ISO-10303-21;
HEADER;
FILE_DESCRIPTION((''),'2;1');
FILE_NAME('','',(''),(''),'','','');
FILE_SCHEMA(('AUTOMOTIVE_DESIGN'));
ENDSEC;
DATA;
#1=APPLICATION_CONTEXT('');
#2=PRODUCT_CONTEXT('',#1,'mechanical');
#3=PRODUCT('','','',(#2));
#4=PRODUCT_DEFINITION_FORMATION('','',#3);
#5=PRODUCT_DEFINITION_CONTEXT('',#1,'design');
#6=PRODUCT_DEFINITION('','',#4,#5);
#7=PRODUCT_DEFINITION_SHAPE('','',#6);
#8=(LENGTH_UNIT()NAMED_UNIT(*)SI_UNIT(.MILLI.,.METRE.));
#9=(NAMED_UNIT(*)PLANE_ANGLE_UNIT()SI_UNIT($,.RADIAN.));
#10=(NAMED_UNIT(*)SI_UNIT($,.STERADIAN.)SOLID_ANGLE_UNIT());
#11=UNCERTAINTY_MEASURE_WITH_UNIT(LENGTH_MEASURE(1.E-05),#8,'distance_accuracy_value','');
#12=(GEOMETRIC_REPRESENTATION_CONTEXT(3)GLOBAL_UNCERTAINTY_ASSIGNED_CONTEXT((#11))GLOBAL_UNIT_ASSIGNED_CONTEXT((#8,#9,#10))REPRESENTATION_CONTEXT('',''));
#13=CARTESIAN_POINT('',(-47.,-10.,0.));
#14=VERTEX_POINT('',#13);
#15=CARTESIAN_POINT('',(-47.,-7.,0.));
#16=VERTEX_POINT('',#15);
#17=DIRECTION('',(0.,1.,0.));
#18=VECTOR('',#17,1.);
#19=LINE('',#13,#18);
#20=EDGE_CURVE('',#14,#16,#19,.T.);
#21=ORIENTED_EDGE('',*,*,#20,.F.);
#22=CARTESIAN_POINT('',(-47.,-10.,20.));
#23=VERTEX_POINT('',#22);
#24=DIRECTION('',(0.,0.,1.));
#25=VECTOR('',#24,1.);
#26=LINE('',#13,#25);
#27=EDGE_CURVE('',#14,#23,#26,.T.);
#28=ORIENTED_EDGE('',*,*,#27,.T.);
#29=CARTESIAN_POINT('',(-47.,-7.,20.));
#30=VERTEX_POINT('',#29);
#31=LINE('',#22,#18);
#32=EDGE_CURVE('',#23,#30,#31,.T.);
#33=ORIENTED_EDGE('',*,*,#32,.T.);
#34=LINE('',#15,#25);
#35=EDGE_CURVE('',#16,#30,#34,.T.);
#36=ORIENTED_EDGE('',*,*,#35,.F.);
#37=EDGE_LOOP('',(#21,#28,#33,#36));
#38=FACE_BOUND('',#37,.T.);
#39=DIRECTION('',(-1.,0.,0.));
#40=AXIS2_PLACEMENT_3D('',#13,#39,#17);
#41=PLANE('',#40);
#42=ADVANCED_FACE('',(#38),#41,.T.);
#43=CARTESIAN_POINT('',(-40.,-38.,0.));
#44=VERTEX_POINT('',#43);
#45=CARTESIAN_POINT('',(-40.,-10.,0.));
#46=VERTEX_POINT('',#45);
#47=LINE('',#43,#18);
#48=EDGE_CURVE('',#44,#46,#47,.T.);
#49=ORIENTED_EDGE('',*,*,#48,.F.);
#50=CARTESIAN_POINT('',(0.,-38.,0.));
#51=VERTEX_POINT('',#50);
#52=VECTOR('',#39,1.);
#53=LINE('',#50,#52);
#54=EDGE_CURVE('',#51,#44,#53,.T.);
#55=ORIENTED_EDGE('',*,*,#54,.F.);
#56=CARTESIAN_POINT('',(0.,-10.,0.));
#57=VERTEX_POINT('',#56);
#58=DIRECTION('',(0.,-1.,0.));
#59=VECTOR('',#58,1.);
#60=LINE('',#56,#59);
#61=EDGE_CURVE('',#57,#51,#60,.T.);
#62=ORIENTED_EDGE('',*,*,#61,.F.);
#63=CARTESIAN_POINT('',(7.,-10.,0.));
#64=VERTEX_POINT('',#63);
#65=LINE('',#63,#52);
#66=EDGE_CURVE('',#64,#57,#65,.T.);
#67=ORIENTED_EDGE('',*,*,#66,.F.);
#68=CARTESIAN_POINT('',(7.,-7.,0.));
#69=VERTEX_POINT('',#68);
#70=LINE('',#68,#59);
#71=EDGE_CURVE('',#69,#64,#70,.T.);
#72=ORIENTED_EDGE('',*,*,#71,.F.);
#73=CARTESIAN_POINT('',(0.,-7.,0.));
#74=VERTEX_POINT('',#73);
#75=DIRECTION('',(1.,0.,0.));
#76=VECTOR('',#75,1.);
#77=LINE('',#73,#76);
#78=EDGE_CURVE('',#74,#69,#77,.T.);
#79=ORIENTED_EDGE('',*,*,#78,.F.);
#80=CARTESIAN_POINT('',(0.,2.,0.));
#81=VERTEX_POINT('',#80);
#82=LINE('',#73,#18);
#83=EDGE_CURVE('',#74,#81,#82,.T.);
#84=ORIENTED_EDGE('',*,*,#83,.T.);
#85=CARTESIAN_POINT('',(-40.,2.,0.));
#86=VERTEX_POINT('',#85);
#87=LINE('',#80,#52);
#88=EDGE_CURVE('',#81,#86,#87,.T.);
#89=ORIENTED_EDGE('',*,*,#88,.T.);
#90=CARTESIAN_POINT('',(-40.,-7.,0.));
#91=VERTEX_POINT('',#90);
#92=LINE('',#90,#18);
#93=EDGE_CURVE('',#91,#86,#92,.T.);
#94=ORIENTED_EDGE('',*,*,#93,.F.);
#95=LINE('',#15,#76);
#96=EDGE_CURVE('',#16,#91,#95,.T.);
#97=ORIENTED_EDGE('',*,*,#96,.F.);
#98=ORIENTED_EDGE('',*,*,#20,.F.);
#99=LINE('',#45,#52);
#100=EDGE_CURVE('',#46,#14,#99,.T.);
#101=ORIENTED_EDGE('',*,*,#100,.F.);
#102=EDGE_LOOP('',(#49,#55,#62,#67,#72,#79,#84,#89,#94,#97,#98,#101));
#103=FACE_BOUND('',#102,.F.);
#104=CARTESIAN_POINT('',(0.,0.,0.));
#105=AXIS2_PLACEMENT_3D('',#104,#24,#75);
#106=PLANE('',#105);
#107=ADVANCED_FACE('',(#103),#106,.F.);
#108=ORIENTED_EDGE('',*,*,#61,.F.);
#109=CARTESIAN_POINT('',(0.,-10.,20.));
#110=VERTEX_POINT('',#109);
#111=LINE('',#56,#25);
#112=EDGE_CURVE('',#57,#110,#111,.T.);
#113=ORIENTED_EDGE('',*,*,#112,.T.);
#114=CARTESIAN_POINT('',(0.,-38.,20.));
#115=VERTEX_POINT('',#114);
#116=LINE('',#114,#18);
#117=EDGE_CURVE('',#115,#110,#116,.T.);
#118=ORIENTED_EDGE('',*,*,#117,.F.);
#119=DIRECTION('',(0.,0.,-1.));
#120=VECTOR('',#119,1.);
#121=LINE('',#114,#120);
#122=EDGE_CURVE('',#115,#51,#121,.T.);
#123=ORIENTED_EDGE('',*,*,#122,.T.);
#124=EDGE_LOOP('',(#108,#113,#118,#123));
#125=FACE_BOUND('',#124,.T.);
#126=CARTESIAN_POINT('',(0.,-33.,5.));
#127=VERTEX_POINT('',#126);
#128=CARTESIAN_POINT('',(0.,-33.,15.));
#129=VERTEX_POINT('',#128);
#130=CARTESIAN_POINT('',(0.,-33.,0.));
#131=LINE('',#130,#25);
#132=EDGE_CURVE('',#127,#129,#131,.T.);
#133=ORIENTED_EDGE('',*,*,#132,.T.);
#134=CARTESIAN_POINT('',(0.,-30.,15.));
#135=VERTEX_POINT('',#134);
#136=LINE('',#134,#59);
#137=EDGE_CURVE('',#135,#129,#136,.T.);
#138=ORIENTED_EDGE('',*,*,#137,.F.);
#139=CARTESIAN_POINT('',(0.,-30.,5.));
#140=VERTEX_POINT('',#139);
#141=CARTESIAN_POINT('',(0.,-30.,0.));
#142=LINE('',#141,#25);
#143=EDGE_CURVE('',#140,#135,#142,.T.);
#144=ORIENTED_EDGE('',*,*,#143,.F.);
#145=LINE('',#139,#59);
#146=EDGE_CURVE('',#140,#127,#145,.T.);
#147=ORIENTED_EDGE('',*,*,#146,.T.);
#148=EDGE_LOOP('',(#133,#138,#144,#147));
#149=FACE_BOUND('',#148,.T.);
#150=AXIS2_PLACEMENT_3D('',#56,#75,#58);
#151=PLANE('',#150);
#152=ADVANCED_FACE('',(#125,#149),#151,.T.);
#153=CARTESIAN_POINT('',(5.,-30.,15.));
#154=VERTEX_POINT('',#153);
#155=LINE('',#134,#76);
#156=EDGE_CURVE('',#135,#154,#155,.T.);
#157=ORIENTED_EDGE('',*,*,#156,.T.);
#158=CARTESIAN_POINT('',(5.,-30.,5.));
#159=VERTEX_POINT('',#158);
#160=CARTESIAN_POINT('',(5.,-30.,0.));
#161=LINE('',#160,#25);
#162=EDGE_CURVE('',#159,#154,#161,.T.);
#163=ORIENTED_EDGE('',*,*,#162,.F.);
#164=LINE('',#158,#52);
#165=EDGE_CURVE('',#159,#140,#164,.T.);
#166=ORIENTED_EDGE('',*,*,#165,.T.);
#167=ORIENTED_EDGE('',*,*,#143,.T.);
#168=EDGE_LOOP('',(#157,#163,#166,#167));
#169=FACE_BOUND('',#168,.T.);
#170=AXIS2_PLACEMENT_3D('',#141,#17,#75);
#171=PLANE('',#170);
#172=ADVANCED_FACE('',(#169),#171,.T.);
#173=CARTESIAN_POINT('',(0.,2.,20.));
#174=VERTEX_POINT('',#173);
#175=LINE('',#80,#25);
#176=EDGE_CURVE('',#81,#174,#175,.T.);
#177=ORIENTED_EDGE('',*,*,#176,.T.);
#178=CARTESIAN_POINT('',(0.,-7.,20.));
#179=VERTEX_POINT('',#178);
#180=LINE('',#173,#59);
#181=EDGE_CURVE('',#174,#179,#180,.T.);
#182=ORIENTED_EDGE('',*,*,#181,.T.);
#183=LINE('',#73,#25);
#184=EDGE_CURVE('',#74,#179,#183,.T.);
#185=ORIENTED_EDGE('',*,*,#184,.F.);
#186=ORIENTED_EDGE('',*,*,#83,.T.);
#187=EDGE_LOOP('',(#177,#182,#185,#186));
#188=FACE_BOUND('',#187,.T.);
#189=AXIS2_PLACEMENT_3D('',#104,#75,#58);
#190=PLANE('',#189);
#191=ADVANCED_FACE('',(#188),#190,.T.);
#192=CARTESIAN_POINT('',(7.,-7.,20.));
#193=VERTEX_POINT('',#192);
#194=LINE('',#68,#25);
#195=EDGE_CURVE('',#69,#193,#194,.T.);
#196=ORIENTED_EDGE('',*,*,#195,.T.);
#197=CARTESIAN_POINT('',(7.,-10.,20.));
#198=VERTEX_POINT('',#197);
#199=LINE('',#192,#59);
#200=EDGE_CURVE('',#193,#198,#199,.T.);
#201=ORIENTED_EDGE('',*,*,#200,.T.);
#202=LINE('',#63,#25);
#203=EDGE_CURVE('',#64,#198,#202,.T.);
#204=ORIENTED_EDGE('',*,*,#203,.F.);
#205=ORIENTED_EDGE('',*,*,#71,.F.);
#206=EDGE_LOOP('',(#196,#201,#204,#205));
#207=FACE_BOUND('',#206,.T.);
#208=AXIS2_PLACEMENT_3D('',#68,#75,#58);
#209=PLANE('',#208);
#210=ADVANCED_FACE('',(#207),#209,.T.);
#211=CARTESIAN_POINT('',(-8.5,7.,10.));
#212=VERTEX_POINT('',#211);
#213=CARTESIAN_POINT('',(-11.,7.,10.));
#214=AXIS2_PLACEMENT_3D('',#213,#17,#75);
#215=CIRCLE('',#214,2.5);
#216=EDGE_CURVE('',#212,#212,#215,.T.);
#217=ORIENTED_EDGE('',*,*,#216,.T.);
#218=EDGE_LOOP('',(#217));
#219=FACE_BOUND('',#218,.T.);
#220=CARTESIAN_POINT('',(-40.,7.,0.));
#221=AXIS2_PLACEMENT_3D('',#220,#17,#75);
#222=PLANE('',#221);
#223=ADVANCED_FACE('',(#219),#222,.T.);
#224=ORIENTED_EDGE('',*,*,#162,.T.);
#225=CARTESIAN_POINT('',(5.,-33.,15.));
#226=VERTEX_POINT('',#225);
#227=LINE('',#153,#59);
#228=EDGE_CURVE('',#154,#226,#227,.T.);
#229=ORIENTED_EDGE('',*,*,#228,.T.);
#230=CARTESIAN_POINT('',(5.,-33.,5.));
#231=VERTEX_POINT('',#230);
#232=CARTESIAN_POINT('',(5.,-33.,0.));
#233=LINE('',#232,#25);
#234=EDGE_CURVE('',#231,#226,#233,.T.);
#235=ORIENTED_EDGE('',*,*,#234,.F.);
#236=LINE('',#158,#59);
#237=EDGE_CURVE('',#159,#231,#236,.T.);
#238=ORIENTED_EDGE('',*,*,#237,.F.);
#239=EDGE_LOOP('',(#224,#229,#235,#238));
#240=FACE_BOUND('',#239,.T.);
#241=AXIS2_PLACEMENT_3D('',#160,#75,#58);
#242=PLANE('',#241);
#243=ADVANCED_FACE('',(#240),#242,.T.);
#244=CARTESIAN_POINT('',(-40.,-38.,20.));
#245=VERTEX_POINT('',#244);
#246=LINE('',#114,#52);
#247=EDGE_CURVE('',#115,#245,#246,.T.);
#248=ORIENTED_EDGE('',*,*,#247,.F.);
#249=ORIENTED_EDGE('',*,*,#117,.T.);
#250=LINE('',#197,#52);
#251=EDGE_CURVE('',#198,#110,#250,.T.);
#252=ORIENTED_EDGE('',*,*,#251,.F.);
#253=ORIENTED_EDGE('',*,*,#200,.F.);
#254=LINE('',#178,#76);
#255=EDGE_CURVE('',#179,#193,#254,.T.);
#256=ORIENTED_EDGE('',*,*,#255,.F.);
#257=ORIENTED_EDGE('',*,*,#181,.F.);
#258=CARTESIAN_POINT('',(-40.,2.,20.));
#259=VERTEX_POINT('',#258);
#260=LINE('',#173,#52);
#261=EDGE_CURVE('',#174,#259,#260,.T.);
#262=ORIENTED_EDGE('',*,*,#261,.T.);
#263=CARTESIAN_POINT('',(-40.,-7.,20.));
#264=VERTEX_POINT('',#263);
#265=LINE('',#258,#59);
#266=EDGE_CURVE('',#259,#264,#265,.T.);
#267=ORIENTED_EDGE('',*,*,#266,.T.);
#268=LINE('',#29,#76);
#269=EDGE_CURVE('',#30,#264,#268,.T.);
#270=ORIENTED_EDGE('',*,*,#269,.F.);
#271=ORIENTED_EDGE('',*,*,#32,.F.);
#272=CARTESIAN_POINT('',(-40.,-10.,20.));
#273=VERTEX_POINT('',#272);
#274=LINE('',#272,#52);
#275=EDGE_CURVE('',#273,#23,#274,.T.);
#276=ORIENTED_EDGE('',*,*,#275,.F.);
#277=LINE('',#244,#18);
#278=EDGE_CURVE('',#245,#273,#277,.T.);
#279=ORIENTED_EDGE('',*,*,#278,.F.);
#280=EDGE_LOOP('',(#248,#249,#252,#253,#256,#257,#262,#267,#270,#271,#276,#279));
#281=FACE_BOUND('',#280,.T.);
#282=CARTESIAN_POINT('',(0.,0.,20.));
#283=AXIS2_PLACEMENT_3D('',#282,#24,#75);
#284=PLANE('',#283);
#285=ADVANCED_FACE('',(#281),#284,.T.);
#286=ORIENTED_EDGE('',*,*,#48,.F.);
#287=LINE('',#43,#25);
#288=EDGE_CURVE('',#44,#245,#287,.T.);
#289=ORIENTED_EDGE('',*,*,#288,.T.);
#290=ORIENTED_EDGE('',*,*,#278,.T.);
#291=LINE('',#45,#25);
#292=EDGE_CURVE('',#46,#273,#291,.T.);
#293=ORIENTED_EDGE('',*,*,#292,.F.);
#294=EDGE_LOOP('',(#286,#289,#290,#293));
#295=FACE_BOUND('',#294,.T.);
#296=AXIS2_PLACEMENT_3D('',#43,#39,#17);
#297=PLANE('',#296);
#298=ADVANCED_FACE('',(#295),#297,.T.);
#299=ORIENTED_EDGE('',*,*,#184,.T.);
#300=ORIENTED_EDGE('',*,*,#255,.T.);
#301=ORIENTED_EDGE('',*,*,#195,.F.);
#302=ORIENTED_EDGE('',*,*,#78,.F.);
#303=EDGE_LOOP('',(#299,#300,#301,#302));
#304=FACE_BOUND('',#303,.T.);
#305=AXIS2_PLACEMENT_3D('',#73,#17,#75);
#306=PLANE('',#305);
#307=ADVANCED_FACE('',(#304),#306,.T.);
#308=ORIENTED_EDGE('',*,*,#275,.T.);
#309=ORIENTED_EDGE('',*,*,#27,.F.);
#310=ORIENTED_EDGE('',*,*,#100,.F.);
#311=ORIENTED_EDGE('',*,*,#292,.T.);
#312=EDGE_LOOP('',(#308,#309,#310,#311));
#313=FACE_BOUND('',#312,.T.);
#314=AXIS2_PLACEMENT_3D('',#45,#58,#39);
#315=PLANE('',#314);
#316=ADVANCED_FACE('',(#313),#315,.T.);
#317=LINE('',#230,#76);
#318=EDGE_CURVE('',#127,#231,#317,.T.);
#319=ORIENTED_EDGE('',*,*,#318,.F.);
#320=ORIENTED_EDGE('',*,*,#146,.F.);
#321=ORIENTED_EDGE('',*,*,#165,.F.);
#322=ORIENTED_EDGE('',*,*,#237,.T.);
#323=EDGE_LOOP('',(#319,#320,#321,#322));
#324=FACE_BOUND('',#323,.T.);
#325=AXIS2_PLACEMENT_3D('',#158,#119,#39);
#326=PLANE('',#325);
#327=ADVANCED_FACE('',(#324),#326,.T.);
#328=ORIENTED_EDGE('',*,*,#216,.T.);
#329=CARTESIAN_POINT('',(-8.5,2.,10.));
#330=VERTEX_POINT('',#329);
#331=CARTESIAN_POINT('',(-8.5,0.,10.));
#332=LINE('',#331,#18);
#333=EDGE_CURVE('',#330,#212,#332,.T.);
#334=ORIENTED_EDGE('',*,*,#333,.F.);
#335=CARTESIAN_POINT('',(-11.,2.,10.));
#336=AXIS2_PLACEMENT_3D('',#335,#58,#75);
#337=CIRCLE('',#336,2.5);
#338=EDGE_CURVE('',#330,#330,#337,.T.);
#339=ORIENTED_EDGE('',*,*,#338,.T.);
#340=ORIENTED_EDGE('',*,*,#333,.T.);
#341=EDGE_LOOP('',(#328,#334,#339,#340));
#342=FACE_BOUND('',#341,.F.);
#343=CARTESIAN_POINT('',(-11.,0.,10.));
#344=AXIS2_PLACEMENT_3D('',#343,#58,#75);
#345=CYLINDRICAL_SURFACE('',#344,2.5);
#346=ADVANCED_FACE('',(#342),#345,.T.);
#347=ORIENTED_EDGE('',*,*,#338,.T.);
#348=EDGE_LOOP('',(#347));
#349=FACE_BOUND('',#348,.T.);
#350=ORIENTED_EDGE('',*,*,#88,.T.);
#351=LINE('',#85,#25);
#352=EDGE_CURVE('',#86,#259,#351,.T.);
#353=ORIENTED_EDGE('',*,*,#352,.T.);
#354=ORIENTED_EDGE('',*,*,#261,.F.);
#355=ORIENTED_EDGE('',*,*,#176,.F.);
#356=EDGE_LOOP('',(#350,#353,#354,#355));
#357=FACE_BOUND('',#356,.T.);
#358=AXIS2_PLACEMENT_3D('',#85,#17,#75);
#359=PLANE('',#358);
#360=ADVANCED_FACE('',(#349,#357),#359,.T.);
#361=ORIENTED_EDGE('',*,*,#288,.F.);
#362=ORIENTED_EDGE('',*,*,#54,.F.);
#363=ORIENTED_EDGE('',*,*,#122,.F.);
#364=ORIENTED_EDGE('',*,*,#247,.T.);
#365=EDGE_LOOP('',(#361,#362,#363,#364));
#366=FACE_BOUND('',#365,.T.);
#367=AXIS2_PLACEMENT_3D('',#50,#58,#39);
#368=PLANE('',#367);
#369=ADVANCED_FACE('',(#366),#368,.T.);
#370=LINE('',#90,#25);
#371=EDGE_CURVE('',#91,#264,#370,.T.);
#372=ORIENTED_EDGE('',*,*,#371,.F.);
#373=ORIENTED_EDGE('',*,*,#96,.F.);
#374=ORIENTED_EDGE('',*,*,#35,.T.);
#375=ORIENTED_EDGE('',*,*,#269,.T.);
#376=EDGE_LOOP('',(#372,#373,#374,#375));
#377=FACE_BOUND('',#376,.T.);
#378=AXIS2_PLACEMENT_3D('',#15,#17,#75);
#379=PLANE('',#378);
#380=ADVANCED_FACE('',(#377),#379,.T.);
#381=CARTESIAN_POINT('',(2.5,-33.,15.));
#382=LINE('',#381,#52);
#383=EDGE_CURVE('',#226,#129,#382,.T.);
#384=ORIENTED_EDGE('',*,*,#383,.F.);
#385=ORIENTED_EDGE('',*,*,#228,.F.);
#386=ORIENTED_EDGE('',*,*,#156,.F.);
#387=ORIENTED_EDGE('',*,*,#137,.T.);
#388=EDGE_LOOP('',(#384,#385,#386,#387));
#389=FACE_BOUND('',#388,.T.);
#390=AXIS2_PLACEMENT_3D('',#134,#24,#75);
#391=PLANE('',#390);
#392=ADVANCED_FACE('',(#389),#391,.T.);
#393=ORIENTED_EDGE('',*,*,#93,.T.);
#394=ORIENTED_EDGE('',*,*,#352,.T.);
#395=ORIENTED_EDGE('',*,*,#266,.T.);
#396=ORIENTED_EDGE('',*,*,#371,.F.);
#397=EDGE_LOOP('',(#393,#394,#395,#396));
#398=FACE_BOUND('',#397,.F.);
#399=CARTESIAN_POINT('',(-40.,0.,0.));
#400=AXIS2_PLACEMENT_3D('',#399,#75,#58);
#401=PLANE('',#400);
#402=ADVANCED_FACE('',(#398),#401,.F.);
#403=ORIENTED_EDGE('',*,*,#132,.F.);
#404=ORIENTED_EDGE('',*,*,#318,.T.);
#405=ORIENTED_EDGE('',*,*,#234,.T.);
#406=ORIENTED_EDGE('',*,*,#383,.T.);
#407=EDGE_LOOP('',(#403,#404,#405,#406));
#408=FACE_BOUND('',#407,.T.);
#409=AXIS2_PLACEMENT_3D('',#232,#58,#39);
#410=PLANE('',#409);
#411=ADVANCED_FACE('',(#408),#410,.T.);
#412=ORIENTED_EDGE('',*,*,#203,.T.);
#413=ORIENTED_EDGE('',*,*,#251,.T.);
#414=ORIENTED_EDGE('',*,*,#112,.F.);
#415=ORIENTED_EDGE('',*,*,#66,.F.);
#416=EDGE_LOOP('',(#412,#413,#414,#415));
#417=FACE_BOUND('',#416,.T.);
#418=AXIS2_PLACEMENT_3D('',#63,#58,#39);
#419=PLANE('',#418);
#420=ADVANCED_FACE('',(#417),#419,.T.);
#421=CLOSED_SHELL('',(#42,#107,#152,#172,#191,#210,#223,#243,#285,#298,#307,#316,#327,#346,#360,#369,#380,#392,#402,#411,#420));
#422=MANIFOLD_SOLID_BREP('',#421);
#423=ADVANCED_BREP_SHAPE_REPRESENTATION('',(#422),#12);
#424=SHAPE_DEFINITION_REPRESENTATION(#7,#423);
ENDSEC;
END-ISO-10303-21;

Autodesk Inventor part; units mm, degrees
ref_plane "YZ Plane" through (0, 0, 0) normal (1, 0, 0) x (0, 1, 0)
ref_plane "XZ Plane" through (0, 0, 0) normal (0, 1, 0) x (-1, 0, 0)
sketch "Sketch1" plane through (0, 0, 0) normal (0, 0, 1) x (1, 0, 0)
  line L0 (-40, 0) -> (0, 0)
  line L1 (0, 0) -> (0, -7)
  line L2 (0, -7) -> (7, -7)
  line L3 (7, -7) -> (7, -10)
  line L4 (7, -10) -> (0, -10)
  line L5 (0, -10) -> (0, -30)
  line L6 (0, -38) -> (-40, -38)
  line L7 (-40, -38) -> (-40, -10)
  line L8 (-40, -10) -> (-47, -10)
  line L9 (-47, -10) -> (-47, -7)
  line L10 (-47, -7) -> (-40, -7)
  line L11 (-40, 0) -> (-40, -7)
  line L12 (0, -30) -> (5, -30)
  line L13 (5, -30) -> (5, -33)
  line L14 (5, -33) -> (0, -33)
  line L15 (0, -30) -> (0, -33) construction
  line L16 (0, -33) -> (0, -38)
  point P0 (7, -8.5)
  point P1 (-47, -8.5)
  point P2 (0, -24)
  dimension "d1" = 38
  dimension "d2" = 54
  dimension "d4" = 40
  dimension "d5" = 28
  dimension "d6" = 7
  dimension "d7" = 3
  dimension "d17" = 3
  dimension "d18" = 5
  dimension "d19" = 5
extrude "Extrusion1" add sketch "Sketch1" along normal blind 20
sketch "Sketch2" plane through (-40, 0, 0) normal (0, 1, 0) x (1, 0, 0)
  circle A0 centre (29, -10) radius 2.5
  line L0 (-7, 0) -> (-7, -20) projected
  line L1 (40, 0) -> (40, -20) projected
  line L2 (40, -10) -> (0, -10) construction
  line L3 (0, 0) -> (0, -20) projected
  line L4 (40, 0) -> (0, 0) projected
  line L5 (0, 0) -> (0, -20) projected
  line L6 (40, -20) -> (0, -20) projected
  line L7 (40, 0) -> (40, -20) projected
  dimension "d11" = 5
  dimension "d12" = 36
extrude "Extrusion2" add sketch "Sketch2" along normal blind 2 contours A0 | L1 L6 L3 L4
extrude "Extrusion3" add sketch "Sketch2" along normal blind 7 contours A0
sketch "Sketch3" plane through (0, -30, 0) normal (0, 1, 0) x (1, 0, 0)
  line L0 (5, 0) -> (0, 0) projected
  line L1 (0, 0) -> (0, -20) projected
  line L2 (5, -20) -> (0, -20) projected
  line L3 (5, 0) -> (5, -20) projected
  line L4 (0, 0) -> (0, -20) projected
  line L5 (5, 0) -> (5, -20) projected
  line L6 (0, -15) -> (5, -15)
  line L7 (5, -15) -> (5, -5)
  line L8 (5, -5) -> (0, -5)
  line L9 (0, -5) -> (0, -15)
  point P0 (0, -5)
  point P1 (5, -5)
  dimension "d20" = 5
  dimension "d21" = 5
extrude "Extrusion4" cut sketch "Sketch3" against normal through all contours L3 L8 L1 L0 | L3 L2 L1 L6
ref_plane "Work Plane1" through (0, 0, 10) normal (0, 0, 1) x (1, 0, 0)
properties part number "Servo_bigg_maketa"
